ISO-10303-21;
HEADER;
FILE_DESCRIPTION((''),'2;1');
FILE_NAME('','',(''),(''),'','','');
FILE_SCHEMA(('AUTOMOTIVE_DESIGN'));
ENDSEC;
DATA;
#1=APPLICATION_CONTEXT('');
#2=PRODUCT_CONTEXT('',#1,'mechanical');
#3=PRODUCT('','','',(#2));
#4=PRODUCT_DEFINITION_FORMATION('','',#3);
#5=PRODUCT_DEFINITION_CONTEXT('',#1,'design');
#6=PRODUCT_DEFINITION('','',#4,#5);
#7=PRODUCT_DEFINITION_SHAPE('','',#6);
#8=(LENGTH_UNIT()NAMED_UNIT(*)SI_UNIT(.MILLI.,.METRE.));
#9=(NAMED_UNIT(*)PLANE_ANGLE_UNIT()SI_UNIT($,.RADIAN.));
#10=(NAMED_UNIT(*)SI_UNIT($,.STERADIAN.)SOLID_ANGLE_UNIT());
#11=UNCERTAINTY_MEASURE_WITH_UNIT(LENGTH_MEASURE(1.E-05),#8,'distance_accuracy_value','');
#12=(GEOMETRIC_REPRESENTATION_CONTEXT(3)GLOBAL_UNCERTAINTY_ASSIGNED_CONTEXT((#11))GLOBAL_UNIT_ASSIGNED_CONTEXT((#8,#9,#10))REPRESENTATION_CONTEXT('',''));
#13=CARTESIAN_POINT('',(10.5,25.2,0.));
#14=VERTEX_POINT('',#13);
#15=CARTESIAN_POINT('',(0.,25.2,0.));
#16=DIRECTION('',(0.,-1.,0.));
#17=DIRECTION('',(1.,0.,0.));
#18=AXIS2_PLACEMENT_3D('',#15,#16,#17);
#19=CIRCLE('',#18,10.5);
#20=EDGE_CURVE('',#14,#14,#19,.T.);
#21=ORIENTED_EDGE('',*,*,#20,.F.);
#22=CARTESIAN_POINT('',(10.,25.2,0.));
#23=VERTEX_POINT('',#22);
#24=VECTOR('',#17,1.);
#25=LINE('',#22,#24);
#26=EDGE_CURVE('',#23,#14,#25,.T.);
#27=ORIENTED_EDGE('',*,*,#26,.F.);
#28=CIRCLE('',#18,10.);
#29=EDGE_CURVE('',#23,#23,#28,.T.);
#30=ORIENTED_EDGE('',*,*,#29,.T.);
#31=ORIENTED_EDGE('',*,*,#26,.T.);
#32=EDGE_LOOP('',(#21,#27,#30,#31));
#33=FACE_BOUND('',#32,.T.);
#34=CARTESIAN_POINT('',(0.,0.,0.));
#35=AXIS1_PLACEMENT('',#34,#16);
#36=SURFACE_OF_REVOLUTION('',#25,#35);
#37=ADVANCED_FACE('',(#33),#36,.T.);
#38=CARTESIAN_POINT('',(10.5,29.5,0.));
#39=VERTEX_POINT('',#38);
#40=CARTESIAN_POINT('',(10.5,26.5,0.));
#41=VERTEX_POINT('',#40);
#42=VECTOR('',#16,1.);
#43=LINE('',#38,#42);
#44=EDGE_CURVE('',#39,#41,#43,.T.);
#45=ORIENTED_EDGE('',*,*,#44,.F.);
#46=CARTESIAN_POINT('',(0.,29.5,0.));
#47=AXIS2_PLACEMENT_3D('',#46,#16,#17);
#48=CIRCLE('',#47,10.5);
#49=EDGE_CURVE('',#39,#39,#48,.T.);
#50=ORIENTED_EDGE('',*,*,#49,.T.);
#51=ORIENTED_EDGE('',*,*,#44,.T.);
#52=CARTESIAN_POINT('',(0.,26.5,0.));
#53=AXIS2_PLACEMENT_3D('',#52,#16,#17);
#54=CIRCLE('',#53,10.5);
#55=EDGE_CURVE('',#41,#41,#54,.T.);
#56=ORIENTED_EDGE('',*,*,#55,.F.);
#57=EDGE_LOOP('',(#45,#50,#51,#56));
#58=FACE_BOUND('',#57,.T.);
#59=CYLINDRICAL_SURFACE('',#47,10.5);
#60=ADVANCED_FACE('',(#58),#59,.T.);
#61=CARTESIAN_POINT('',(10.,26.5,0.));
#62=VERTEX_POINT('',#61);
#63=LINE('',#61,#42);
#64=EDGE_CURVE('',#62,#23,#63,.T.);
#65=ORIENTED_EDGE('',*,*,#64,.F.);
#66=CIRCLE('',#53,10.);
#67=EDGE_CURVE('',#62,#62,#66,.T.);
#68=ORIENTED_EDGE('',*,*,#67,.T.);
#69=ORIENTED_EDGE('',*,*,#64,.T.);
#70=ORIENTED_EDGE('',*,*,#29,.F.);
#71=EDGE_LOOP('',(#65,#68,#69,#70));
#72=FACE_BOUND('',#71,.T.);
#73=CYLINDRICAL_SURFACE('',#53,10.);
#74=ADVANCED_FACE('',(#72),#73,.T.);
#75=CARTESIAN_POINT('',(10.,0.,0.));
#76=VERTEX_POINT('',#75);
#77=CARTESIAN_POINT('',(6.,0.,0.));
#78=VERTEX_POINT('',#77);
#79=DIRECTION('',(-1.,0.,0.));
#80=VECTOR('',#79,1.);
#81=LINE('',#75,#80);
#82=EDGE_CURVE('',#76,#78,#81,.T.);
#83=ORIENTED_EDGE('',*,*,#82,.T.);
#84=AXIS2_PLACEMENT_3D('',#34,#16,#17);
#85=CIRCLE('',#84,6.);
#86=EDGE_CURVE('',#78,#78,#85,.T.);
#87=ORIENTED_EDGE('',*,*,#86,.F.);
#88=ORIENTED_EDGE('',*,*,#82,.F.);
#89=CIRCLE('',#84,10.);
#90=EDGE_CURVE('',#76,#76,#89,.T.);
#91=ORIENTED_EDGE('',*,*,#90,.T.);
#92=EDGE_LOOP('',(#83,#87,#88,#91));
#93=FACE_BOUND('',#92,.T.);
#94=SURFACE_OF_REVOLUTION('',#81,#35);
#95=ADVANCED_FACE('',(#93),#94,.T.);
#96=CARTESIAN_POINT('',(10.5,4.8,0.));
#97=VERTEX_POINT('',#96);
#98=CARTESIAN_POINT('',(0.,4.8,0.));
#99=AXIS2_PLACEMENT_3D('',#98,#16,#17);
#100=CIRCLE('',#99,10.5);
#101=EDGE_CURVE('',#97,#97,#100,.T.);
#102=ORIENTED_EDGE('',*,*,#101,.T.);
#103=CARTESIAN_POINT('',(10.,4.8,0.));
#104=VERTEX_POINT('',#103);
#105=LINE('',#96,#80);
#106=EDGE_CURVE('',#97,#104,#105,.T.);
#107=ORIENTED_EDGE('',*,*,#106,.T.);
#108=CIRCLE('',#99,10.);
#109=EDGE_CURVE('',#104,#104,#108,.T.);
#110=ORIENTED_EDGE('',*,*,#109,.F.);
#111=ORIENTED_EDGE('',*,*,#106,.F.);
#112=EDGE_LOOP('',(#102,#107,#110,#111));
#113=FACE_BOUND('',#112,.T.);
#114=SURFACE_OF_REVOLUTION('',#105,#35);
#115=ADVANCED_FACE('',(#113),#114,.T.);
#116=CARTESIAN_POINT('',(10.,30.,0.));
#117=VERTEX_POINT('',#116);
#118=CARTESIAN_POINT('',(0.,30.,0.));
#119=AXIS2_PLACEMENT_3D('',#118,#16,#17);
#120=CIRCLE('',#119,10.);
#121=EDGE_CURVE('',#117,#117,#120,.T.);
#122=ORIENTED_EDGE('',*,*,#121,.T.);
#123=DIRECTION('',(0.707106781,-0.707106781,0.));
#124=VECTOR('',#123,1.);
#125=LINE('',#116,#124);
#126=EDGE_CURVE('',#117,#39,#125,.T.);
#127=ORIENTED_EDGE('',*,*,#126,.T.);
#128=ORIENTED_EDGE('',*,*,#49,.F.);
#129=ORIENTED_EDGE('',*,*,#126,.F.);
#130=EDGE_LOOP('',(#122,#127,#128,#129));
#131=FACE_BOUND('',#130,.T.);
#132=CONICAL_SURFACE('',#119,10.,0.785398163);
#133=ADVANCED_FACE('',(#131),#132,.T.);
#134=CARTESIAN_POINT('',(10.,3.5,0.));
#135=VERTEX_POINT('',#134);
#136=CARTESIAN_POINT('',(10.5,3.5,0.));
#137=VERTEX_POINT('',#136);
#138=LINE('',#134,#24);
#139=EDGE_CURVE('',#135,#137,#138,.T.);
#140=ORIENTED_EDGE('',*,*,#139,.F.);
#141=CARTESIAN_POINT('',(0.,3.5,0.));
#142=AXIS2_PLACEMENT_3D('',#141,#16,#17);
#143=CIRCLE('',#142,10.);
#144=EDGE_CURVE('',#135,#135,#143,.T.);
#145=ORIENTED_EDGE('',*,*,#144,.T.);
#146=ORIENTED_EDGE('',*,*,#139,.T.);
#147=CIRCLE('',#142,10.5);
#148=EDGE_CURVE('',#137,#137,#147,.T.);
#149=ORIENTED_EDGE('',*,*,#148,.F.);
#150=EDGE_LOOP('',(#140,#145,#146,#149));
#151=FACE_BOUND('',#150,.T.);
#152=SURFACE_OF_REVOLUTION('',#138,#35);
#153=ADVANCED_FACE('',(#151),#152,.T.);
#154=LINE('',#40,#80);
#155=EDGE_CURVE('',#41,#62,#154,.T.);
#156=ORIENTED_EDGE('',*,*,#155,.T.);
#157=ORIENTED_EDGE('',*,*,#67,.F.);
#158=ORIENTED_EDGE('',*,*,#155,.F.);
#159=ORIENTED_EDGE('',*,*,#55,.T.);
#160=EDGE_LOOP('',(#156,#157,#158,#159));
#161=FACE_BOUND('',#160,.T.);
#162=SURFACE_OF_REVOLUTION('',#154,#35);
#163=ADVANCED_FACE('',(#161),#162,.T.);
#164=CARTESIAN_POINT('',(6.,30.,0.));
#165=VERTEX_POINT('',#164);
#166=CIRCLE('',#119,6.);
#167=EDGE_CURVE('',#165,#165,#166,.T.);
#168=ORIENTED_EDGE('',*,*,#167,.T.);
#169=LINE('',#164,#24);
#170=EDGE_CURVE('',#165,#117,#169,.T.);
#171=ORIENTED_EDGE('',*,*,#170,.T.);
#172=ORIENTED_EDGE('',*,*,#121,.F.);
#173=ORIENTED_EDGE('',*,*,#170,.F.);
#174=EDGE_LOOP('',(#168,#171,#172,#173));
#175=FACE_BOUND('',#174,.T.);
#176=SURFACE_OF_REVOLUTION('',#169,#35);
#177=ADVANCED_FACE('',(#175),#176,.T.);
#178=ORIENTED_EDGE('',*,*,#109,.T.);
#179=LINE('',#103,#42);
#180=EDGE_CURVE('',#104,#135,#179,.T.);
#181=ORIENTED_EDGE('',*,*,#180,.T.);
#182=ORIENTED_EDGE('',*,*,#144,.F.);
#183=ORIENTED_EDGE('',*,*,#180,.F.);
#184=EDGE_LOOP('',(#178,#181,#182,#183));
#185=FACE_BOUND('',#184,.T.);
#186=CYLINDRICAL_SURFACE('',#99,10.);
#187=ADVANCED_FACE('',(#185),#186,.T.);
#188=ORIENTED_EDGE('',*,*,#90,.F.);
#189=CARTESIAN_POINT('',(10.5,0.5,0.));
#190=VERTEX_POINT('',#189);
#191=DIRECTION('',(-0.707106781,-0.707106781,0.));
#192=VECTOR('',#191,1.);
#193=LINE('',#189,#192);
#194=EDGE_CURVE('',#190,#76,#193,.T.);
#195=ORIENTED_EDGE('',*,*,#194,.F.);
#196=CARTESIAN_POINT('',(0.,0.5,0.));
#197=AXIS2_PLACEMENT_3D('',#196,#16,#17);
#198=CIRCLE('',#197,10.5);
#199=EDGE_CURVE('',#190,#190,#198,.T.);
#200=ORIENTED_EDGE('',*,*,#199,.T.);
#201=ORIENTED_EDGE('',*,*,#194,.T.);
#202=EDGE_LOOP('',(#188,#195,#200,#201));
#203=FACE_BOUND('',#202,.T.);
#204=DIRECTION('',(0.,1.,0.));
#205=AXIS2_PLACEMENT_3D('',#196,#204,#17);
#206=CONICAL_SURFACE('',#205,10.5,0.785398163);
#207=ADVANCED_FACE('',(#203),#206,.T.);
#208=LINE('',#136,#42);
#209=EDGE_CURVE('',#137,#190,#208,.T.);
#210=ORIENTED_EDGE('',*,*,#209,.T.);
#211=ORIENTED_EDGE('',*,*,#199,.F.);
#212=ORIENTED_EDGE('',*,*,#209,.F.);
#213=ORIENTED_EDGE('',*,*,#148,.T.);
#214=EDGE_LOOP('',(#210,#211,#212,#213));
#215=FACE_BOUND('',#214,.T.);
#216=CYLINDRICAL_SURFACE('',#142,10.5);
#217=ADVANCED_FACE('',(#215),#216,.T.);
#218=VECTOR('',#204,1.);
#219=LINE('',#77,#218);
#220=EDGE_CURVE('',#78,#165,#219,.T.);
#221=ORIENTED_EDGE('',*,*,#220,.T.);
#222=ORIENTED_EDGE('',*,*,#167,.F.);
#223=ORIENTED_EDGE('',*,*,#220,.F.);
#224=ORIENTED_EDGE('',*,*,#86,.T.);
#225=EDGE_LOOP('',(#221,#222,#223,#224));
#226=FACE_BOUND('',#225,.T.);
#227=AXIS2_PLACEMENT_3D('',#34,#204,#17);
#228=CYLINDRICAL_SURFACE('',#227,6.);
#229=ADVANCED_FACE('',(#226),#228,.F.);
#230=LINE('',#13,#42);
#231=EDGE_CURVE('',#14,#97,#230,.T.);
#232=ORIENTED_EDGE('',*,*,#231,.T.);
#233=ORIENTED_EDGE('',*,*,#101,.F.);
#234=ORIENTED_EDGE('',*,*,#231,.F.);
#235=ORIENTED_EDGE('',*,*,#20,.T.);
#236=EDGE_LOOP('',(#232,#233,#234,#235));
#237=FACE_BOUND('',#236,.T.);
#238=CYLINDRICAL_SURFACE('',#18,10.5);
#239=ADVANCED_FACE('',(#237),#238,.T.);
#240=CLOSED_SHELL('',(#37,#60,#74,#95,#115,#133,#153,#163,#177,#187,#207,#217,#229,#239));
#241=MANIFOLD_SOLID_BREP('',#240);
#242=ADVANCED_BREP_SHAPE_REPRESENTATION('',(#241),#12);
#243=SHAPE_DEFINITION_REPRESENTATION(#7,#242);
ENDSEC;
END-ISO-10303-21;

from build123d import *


with BuildPart() as f2:
    # F2: sweep along a path in F0
    with BuildLine(Plane.XZ) as f2_path:
        CenterArc((0, 0), 6, 0, 360)
    # F1 (on Right) → F2 (sweep)
    with BuildSketch(Plane.YZ):
        Polygon((0, 10), (0, 6), (30, 6), (30, 10), (29.5, 10.5), (26.5, 10.5), (26.5, 10), (25.2, 10), (25.2, 10.5), (15, 10.5), (4.8, 10.5), (4.8, 10), (3.5, 10), (3.5, 10.5), (0.5, 10.5), align=None)
    sweep(path=f2_path.line)


solid = f2.part
